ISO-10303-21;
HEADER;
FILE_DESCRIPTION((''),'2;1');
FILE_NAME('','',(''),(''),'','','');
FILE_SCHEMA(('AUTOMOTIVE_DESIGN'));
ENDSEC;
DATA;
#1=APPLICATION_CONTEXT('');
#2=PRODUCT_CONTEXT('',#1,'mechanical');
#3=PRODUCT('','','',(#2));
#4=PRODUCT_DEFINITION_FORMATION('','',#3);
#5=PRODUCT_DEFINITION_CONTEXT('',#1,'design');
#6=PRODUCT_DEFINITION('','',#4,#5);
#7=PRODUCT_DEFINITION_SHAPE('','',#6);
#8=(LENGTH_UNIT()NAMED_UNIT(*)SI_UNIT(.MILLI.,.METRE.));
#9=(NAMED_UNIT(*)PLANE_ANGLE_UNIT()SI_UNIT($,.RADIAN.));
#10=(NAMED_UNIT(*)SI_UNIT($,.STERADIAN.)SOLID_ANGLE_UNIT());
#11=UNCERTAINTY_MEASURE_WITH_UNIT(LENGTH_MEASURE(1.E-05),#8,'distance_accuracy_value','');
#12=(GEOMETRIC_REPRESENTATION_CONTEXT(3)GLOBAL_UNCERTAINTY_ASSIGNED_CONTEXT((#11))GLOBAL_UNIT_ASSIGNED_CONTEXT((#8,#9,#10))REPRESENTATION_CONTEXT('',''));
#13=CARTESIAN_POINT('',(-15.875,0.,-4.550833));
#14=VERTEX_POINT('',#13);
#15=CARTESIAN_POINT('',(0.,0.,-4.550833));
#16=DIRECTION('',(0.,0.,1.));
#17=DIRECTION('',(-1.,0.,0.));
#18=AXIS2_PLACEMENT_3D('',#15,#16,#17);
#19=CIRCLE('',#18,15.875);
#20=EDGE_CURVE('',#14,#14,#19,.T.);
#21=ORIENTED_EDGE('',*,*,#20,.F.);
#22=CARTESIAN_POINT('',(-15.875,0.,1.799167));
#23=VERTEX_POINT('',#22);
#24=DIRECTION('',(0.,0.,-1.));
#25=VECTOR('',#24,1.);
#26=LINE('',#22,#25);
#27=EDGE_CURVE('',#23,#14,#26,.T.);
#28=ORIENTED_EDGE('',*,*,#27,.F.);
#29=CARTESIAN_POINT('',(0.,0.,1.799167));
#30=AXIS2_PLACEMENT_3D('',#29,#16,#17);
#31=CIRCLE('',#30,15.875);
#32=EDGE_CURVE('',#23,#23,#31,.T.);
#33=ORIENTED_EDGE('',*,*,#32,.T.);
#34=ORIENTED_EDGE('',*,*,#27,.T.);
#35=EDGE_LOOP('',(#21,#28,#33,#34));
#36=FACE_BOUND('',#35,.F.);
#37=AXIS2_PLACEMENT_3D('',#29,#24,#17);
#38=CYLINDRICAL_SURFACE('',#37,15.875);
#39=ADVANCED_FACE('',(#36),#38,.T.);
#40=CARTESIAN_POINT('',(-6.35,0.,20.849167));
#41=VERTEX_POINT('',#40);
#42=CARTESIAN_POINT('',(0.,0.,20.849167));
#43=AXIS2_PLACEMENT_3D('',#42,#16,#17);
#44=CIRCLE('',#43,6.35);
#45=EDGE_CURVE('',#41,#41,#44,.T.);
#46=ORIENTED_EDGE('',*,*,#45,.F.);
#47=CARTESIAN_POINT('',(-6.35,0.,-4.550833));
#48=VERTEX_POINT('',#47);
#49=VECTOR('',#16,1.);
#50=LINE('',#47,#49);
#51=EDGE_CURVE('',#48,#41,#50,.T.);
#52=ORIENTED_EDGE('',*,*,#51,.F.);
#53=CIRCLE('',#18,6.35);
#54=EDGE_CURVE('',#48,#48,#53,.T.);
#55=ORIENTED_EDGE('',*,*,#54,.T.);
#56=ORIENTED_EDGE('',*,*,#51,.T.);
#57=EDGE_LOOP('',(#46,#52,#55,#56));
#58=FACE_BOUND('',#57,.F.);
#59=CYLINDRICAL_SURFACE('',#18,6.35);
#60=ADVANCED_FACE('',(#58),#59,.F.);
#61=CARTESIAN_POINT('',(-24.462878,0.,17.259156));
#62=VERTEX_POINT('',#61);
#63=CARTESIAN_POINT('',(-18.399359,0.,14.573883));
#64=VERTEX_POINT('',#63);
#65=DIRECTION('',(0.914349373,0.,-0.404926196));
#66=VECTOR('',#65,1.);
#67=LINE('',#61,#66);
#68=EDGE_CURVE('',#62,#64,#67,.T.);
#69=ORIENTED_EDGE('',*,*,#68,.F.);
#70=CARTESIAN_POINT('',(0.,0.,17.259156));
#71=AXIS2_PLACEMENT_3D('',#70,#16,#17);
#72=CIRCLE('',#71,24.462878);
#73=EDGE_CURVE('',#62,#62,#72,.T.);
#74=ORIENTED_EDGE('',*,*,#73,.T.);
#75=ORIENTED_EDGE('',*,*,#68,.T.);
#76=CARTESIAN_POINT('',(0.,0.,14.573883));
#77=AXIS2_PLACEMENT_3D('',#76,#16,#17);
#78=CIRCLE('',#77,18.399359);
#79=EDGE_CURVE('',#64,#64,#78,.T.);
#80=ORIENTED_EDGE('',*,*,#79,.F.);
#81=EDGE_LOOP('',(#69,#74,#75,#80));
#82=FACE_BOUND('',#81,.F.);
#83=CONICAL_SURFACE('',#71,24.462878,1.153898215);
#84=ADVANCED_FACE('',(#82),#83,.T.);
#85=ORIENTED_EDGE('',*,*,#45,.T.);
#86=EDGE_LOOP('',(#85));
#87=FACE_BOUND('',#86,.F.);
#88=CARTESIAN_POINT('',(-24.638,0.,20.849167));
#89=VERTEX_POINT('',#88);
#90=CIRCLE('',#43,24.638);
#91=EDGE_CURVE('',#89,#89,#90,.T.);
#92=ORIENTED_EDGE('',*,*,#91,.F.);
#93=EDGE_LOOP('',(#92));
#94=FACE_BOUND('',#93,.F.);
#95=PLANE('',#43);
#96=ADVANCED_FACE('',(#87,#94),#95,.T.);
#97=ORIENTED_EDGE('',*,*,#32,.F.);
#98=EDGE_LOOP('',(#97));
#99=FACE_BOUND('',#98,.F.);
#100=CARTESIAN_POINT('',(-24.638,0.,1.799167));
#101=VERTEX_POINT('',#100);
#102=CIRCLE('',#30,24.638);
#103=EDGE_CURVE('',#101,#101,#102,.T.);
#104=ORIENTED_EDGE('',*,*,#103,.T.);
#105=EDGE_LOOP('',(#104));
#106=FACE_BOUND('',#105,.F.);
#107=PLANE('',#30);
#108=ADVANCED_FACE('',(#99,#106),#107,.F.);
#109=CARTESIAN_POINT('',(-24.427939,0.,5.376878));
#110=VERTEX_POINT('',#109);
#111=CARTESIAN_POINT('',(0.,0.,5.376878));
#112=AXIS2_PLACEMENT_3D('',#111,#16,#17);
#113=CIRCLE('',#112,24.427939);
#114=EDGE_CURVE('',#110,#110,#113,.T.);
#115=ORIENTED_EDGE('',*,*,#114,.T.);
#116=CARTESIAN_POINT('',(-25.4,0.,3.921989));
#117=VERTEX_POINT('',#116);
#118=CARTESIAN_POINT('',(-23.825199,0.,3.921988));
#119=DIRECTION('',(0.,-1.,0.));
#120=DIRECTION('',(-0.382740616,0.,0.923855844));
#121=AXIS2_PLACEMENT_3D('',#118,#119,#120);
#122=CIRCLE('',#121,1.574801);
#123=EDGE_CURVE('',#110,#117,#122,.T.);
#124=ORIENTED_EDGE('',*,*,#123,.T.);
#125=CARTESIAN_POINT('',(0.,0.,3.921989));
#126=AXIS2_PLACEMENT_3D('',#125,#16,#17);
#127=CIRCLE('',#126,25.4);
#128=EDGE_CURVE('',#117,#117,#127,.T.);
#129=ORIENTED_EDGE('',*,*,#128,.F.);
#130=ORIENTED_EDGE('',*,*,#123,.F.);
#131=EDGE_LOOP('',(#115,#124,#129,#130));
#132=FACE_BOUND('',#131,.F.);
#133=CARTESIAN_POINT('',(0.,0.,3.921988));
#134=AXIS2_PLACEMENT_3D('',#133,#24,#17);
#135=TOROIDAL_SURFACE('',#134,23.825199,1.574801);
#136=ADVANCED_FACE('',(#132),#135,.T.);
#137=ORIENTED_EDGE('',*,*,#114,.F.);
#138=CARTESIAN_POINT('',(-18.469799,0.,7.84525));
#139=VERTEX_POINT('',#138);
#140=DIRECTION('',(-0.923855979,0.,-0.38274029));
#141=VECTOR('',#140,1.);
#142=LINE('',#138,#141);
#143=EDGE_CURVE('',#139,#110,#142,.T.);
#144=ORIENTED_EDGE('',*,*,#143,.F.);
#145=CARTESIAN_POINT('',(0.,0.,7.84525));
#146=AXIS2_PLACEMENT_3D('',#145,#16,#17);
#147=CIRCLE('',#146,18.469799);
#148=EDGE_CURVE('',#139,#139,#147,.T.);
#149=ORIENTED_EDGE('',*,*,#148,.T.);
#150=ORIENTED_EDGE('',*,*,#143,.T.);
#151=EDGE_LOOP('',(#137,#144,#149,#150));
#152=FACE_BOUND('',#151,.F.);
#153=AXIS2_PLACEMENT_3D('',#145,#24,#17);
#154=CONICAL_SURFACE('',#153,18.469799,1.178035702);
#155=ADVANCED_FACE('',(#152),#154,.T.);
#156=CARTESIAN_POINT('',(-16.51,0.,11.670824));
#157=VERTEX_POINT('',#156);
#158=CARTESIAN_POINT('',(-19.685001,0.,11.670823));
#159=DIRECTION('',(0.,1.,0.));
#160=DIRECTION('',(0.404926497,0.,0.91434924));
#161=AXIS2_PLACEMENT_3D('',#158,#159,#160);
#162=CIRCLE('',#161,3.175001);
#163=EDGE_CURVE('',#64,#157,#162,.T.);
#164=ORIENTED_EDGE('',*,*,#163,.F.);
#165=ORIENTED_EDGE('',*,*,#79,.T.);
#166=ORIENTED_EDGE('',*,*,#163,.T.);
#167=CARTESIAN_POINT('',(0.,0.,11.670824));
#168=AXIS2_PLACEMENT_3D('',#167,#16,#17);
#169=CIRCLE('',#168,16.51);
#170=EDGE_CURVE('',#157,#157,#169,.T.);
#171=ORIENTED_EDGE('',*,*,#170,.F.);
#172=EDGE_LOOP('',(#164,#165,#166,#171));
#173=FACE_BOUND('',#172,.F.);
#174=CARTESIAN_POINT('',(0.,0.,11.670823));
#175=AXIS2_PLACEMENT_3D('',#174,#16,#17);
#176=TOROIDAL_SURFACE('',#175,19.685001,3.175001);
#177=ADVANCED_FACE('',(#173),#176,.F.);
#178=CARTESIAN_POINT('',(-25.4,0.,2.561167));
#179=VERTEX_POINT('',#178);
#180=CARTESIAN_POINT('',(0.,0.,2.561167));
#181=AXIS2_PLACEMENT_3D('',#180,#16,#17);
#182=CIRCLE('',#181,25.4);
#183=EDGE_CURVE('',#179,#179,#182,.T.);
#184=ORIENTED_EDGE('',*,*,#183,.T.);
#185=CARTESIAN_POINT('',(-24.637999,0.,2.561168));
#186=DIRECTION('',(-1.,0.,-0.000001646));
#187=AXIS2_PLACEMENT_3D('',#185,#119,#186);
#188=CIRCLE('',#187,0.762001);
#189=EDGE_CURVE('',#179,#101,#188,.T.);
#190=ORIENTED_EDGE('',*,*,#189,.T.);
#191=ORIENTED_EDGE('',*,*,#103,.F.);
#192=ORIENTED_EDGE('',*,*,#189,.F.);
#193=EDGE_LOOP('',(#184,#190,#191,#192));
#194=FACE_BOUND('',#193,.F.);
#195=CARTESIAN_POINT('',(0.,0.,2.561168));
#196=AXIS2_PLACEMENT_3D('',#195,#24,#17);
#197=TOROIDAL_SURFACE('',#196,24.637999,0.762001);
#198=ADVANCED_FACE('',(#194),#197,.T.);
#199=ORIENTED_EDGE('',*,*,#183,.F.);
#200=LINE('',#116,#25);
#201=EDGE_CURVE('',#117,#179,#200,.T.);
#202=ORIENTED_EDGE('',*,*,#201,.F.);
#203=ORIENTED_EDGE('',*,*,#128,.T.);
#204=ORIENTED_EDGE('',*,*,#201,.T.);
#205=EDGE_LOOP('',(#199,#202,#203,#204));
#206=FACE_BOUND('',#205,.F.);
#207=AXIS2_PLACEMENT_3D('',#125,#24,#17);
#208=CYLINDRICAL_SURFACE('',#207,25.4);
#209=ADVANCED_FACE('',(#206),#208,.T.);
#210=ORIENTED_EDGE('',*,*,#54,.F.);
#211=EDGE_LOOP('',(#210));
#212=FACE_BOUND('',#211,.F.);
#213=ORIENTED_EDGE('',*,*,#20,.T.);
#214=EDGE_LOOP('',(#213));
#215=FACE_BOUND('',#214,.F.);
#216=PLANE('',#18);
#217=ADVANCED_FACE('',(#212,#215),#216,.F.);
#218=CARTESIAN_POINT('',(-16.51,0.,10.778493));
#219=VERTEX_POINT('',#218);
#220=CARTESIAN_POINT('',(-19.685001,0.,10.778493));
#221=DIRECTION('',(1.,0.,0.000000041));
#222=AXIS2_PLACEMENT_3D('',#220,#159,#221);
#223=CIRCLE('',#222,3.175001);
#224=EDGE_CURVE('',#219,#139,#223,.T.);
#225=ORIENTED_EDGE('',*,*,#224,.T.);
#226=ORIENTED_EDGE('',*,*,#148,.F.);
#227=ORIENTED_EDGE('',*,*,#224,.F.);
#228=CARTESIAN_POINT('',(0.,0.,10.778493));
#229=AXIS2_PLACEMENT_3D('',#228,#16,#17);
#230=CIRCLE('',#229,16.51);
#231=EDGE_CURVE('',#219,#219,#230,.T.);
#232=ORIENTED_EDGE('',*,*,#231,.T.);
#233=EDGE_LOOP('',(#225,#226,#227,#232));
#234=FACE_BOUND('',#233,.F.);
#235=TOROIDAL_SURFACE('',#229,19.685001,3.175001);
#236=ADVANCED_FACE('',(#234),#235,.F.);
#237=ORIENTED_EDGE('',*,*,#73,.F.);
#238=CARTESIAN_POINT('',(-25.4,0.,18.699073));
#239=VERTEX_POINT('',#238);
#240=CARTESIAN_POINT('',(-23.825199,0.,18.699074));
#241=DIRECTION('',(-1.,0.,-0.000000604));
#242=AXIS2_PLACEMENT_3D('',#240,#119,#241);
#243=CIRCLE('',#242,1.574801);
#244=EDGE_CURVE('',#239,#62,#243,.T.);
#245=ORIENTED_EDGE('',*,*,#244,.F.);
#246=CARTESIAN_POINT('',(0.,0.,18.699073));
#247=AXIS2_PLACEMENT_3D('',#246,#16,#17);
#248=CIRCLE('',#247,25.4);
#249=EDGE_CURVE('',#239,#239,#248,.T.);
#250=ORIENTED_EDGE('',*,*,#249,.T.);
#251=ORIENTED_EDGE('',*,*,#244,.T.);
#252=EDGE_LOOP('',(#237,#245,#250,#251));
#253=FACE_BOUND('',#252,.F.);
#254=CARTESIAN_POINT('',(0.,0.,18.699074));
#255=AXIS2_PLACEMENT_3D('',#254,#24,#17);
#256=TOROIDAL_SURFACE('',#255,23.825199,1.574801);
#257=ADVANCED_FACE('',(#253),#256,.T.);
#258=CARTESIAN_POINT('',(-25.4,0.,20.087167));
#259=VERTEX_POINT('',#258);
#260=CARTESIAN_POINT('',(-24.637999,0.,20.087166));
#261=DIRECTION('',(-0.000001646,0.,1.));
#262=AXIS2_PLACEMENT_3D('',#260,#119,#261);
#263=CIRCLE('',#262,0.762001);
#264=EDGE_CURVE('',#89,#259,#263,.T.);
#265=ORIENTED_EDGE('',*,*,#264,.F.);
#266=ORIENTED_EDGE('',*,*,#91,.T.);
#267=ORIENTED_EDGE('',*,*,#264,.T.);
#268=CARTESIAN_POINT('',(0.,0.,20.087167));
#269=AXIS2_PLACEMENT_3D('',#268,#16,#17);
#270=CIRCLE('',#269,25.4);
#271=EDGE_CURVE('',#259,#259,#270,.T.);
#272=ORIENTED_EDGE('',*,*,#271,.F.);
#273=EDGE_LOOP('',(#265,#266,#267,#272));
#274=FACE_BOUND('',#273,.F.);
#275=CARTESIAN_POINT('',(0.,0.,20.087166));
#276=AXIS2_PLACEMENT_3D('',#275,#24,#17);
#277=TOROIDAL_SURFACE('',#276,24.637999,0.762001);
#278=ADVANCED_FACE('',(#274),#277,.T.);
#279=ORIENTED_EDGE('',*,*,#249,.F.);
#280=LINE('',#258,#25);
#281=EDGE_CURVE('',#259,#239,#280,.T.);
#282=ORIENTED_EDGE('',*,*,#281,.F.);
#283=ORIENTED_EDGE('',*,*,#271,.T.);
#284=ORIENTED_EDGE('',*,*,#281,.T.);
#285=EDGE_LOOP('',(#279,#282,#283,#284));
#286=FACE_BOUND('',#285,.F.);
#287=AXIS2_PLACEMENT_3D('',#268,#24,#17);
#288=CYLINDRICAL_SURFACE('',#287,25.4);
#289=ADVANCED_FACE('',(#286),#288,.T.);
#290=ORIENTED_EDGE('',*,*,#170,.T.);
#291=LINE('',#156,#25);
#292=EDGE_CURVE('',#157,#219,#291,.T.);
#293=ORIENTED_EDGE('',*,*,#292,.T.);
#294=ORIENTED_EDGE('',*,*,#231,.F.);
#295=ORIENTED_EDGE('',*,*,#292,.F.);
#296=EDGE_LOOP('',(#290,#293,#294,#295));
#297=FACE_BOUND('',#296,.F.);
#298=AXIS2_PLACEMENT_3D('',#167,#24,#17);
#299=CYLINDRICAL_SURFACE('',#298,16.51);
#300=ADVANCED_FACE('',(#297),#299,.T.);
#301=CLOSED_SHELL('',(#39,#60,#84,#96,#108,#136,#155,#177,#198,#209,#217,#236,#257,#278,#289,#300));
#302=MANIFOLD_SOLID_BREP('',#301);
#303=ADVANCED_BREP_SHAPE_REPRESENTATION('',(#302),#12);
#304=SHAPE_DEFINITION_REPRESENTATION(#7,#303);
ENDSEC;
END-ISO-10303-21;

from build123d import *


with BuildPart() as f1:
    # F0 (on Front) → F1 (revolve)
    with BuildSketch(Plane.XZ):
        with BuildLine():
            Line((-6.35, -4.550833), (-6.35, 20.849167))
            Line((-6.35, 20.849167), (-24.638, 20.849167))
            ThreePointArc((-24.638, 20.849167), (-25.176815, 20.625982), (-25.4, 20.087167))
            Line((-25.4, 20.087167), (-25.4, 18.699073))
            ThreePointArc((-25.4, 18.699073), (-25.145088, 17.840068), (-24.462878, 17.259156))
            Line((-24.462878, 17.259156), (-18.399359, 14.573883))
            ThreePointArc((-18.399359, 14.573883), (-17.023935, 13.402689), (-16.51, 11.670824))
            Line((-16.51, 11.670824), (-16.51, 10.778493))
            ThreePointArc((-16.51, 10.778493), (-17.04503, 9.014638), (-18.469799, 7.84525))
            Line((-18.469799, 7.84525), (-24.427939, 5.376878))
            ThreePointArc((-24.427939, 5.376878), (-25.134625, 4.796861), (-25.4, 3.921989))
            Line((-25.4, 3.921989), (-25.4, 2.561167))
            ThreePointArc((-25.4, 2.561167), (-25.176815, 2.022352), (-24.638, 1.799167))
            Line((-24.638, 1.799167), (-15.875, 1.799167))
            Line((-15.875, 1.799167), (-15.875, -4.550833))
            Line((-15.875, -4.550833), (-6.35, -4.550833))
        make_face()
    revolve(axis=Axis((0, 0, 0.052916), (0, 0, 1)))


solid = f1.part
